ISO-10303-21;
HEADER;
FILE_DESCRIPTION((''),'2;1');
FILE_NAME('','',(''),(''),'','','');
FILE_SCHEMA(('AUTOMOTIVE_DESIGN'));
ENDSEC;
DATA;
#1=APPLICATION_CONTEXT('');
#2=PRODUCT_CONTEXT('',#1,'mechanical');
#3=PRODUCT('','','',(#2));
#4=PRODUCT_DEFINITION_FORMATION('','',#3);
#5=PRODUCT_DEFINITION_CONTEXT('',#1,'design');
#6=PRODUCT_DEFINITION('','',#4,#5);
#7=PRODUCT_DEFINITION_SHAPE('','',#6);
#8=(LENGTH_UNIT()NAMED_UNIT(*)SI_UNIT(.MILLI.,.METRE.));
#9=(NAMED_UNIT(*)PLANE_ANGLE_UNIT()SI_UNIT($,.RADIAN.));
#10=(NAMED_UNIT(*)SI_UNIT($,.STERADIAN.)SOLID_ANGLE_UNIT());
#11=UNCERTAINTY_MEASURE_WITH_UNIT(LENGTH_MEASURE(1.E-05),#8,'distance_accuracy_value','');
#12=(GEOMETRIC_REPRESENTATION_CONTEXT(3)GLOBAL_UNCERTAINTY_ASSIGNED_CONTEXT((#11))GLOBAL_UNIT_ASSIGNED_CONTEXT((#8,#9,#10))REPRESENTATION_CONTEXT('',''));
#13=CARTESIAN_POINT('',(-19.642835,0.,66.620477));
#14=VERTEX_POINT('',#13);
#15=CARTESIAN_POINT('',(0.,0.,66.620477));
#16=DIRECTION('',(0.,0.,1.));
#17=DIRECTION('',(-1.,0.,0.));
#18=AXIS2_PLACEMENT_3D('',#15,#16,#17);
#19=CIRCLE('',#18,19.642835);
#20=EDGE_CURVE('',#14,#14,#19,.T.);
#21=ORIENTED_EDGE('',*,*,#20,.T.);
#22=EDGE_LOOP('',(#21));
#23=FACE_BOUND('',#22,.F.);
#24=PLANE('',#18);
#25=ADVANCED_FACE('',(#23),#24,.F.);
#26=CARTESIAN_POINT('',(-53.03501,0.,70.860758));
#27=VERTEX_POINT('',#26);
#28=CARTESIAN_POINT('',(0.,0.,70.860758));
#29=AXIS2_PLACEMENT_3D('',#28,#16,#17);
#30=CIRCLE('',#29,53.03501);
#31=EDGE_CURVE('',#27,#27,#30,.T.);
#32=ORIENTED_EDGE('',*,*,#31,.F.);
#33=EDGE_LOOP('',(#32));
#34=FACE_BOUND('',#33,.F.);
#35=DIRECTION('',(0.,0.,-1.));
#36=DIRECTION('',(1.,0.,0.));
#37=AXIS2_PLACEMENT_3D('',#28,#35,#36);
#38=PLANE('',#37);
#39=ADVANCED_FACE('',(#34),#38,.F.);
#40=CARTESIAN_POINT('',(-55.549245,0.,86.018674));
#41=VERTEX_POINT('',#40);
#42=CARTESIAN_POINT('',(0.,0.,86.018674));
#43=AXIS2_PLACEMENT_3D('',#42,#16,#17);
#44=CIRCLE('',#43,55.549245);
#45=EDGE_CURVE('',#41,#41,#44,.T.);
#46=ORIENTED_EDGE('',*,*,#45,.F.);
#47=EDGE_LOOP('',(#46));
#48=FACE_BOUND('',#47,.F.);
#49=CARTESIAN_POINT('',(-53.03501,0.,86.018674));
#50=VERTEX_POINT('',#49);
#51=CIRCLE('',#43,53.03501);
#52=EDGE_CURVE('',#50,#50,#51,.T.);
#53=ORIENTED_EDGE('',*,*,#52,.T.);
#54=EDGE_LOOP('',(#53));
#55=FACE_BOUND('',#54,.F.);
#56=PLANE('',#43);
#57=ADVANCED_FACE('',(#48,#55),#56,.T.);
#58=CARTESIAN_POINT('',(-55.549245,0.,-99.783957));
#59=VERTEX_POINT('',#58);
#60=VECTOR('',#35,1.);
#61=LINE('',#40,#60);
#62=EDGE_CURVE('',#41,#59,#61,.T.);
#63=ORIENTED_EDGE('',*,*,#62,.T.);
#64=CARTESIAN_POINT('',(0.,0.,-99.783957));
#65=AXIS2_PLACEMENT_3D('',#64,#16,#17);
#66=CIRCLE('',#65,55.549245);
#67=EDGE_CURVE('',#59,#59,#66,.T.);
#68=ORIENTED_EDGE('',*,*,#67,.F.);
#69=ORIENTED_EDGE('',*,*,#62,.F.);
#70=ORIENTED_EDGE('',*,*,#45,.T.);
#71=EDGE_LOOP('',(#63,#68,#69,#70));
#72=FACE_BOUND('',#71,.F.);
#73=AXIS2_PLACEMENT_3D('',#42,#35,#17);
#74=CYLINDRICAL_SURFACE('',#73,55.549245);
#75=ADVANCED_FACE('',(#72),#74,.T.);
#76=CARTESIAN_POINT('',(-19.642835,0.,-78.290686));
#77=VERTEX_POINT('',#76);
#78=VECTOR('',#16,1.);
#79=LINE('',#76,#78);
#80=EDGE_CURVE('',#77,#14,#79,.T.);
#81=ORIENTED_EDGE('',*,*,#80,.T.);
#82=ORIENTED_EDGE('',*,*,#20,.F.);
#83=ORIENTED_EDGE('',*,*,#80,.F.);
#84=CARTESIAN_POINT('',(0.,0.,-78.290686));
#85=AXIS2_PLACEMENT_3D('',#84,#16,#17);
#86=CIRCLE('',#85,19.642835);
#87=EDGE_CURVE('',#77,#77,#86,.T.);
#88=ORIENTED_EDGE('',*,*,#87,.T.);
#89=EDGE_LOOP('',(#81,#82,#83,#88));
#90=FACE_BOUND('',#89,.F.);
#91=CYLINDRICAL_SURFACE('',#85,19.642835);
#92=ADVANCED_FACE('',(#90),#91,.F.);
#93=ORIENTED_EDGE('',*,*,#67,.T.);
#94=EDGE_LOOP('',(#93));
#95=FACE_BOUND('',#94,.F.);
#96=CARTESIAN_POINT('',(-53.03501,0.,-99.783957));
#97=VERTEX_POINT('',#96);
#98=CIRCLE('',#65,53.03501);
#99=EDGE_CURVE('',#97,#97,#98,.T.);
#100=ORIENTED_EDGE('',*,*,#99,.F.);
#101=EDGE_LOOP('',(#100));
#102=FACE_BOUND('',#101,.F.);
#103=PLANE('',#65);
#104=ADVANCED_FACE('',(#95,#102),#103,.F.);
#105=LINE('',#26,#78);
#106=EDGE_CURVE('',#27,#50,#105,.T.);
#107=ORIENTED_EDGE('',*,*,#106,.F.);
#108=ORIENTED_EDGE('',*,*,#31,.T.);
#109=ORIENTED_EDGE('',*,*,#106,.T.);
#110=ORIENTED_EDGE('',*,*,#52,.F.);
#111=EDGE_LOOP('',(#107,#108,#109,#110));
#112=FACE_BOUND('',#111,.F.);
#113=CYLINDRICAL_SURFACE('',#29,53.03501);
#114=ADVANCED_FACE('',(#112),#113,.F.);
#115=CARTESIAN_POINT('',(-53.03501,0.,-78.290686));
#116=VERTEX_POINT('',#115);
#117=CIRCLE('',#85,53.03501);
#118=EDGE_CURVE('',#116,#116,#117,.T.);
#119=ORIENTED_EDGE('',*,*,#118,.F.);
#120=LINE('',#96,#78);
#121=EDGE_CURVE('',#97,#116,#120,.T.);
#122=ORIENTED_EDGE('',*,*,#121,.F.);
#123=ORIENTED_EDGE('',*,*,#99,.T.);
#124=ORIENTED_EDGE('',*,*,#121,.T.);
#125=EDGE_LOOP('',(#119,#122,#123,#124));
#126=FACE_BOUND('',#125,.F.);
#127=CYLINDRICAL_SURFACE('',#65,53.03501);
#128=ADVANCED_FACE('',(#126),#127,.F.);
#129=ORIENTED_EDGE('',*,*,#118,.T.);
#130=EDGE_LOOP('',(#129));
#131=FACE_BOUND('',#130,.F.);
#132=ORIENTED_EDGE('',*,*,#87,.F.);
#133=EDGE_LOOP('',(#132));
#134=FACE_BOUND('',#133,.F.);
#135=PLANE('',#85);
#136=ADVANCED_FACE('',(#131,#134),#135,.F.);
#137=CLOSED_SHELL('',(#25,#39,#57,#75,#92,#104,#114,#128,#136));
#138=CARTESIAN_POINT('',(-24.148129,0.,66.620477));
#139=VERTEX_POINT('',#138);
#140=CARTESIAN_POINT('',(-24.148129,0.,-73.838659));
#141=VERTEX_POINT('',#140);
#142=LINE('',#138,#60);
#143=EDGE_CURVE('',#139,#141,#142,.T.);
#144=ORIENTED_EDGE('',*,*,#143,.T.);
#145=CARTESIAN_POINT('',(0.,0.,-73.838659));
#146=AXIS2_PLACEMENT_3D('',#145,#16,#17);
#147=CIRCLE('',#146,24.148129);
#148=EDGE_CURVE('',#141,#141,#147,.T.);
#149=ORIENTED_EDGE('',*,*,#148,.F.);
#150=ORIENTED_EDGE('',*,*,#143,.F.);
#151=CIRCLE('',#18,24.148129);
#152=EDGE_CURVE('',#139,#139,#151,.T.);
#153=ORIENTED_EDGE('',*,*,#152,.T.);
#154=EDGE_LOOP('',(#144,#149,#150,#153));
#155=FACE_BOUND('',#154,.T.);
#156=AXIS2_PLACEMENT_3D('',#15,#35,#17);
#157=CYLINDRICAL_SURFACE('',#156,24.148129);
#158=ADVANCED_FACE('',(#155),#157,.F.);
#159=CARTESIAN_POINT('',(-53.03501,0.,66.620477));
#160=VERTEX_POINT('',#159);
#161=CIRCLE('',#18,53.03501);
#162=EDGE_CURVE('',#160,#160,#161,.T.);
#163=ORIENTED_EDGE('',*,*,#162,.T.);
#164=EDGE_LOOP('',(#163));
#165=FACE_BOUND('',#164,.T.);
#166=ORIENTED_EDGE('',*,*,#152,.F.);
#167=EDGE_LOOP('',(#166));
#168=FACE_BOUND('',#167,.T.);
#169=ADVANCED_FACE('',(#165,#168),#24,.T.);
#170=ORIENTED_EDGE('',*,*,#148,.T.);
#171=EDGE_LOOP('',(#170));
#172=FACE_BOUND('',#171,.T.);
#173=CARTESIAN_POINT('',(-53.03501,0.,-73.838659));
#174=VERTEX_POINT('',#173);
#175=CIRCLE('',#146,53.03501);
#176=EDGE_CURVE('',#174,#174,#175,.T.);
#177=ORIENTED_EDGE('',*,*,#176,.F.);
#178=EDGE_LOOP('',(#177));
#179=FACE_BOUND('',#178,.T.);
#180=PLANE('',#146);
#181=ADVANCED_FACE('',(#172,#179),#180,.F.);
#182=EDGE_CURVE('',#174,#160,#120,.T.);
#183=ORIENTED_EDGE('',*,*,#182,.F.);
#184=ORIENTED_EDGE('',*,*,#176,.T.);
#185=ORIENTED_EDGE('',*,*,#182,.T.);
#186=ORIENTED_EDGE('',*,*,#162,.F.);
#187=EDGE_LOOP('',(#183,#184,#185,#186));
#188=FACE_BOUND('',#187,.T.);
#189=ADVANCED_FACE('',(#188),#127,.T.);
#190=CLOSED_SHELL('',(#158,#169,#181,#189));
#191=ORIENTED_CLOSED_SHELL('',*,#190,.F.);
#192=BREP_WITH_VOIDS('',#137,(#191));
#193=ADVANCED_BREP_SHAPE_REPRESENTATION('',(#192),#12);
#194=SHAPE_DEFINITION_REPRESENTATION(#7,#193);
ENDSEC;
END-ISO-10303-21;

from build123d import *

# Parameters (mm, degrees)
F0_W   = 2.1932262462
F0_H   = 4.2402818799
F0_W_2 = 14.8409642279


with BuildPart() as f1:
    # F0 (on Front) → F1 (revolve)
    with BuildSketch(Plane.XZ):
        with Locations((-1.0966131231, 68.7406174839)):
            Rectangle(F0_W, F0_H)
        Polygon((-2.1932262462, 66.6204765439), (-2.1932262462, 70.8607584238), (-38.1940454245, 70.8607584238), (-38.1940454245, 66.6204765439), (-24.1481289268, 66.6204765439), (-19.642835483, 66.6204765439), align=None)
        with Locations((-45.6145275384, 68.7406174839)):
            Rectangle(F0_W_2, F0_H)
        Polygon((-53.0350096524, 66.6204765439), (-53.0350096524, 70.8607584238), (-53.0350096524, 86.0186740756), (-55.5492453277, 86.0186740756), (-55.5492453277, -99.7839570045), (-53.0350096524, -99.7839570045), (-53.0350096524, -78.2906860113), (-53.0350096524, -73.8386586308), (-53.0350096524, -69.2957043648), align=None)
        Polygon((-19.642835483, -73.8386586308), (-19.642835483, 66.6204765439), (-24.1481289268, 66.6204765439), (-24.1481289268, -69.2957043648), (-24.1481289268, -73.8386586308), align=None)
        Polygon((-19.642835483, -78.2906860113), (-19.642835483, -73.8386586308), (-24.1481289268, -73.8386586308), (-53.0350096524, -73.8386586308), (-53.0350096524, -78.2906860113), align=None)
    revolve(axis=Axis((0, 0, 68.7406174839), (0, 0, 1)))


solid = f1.part
